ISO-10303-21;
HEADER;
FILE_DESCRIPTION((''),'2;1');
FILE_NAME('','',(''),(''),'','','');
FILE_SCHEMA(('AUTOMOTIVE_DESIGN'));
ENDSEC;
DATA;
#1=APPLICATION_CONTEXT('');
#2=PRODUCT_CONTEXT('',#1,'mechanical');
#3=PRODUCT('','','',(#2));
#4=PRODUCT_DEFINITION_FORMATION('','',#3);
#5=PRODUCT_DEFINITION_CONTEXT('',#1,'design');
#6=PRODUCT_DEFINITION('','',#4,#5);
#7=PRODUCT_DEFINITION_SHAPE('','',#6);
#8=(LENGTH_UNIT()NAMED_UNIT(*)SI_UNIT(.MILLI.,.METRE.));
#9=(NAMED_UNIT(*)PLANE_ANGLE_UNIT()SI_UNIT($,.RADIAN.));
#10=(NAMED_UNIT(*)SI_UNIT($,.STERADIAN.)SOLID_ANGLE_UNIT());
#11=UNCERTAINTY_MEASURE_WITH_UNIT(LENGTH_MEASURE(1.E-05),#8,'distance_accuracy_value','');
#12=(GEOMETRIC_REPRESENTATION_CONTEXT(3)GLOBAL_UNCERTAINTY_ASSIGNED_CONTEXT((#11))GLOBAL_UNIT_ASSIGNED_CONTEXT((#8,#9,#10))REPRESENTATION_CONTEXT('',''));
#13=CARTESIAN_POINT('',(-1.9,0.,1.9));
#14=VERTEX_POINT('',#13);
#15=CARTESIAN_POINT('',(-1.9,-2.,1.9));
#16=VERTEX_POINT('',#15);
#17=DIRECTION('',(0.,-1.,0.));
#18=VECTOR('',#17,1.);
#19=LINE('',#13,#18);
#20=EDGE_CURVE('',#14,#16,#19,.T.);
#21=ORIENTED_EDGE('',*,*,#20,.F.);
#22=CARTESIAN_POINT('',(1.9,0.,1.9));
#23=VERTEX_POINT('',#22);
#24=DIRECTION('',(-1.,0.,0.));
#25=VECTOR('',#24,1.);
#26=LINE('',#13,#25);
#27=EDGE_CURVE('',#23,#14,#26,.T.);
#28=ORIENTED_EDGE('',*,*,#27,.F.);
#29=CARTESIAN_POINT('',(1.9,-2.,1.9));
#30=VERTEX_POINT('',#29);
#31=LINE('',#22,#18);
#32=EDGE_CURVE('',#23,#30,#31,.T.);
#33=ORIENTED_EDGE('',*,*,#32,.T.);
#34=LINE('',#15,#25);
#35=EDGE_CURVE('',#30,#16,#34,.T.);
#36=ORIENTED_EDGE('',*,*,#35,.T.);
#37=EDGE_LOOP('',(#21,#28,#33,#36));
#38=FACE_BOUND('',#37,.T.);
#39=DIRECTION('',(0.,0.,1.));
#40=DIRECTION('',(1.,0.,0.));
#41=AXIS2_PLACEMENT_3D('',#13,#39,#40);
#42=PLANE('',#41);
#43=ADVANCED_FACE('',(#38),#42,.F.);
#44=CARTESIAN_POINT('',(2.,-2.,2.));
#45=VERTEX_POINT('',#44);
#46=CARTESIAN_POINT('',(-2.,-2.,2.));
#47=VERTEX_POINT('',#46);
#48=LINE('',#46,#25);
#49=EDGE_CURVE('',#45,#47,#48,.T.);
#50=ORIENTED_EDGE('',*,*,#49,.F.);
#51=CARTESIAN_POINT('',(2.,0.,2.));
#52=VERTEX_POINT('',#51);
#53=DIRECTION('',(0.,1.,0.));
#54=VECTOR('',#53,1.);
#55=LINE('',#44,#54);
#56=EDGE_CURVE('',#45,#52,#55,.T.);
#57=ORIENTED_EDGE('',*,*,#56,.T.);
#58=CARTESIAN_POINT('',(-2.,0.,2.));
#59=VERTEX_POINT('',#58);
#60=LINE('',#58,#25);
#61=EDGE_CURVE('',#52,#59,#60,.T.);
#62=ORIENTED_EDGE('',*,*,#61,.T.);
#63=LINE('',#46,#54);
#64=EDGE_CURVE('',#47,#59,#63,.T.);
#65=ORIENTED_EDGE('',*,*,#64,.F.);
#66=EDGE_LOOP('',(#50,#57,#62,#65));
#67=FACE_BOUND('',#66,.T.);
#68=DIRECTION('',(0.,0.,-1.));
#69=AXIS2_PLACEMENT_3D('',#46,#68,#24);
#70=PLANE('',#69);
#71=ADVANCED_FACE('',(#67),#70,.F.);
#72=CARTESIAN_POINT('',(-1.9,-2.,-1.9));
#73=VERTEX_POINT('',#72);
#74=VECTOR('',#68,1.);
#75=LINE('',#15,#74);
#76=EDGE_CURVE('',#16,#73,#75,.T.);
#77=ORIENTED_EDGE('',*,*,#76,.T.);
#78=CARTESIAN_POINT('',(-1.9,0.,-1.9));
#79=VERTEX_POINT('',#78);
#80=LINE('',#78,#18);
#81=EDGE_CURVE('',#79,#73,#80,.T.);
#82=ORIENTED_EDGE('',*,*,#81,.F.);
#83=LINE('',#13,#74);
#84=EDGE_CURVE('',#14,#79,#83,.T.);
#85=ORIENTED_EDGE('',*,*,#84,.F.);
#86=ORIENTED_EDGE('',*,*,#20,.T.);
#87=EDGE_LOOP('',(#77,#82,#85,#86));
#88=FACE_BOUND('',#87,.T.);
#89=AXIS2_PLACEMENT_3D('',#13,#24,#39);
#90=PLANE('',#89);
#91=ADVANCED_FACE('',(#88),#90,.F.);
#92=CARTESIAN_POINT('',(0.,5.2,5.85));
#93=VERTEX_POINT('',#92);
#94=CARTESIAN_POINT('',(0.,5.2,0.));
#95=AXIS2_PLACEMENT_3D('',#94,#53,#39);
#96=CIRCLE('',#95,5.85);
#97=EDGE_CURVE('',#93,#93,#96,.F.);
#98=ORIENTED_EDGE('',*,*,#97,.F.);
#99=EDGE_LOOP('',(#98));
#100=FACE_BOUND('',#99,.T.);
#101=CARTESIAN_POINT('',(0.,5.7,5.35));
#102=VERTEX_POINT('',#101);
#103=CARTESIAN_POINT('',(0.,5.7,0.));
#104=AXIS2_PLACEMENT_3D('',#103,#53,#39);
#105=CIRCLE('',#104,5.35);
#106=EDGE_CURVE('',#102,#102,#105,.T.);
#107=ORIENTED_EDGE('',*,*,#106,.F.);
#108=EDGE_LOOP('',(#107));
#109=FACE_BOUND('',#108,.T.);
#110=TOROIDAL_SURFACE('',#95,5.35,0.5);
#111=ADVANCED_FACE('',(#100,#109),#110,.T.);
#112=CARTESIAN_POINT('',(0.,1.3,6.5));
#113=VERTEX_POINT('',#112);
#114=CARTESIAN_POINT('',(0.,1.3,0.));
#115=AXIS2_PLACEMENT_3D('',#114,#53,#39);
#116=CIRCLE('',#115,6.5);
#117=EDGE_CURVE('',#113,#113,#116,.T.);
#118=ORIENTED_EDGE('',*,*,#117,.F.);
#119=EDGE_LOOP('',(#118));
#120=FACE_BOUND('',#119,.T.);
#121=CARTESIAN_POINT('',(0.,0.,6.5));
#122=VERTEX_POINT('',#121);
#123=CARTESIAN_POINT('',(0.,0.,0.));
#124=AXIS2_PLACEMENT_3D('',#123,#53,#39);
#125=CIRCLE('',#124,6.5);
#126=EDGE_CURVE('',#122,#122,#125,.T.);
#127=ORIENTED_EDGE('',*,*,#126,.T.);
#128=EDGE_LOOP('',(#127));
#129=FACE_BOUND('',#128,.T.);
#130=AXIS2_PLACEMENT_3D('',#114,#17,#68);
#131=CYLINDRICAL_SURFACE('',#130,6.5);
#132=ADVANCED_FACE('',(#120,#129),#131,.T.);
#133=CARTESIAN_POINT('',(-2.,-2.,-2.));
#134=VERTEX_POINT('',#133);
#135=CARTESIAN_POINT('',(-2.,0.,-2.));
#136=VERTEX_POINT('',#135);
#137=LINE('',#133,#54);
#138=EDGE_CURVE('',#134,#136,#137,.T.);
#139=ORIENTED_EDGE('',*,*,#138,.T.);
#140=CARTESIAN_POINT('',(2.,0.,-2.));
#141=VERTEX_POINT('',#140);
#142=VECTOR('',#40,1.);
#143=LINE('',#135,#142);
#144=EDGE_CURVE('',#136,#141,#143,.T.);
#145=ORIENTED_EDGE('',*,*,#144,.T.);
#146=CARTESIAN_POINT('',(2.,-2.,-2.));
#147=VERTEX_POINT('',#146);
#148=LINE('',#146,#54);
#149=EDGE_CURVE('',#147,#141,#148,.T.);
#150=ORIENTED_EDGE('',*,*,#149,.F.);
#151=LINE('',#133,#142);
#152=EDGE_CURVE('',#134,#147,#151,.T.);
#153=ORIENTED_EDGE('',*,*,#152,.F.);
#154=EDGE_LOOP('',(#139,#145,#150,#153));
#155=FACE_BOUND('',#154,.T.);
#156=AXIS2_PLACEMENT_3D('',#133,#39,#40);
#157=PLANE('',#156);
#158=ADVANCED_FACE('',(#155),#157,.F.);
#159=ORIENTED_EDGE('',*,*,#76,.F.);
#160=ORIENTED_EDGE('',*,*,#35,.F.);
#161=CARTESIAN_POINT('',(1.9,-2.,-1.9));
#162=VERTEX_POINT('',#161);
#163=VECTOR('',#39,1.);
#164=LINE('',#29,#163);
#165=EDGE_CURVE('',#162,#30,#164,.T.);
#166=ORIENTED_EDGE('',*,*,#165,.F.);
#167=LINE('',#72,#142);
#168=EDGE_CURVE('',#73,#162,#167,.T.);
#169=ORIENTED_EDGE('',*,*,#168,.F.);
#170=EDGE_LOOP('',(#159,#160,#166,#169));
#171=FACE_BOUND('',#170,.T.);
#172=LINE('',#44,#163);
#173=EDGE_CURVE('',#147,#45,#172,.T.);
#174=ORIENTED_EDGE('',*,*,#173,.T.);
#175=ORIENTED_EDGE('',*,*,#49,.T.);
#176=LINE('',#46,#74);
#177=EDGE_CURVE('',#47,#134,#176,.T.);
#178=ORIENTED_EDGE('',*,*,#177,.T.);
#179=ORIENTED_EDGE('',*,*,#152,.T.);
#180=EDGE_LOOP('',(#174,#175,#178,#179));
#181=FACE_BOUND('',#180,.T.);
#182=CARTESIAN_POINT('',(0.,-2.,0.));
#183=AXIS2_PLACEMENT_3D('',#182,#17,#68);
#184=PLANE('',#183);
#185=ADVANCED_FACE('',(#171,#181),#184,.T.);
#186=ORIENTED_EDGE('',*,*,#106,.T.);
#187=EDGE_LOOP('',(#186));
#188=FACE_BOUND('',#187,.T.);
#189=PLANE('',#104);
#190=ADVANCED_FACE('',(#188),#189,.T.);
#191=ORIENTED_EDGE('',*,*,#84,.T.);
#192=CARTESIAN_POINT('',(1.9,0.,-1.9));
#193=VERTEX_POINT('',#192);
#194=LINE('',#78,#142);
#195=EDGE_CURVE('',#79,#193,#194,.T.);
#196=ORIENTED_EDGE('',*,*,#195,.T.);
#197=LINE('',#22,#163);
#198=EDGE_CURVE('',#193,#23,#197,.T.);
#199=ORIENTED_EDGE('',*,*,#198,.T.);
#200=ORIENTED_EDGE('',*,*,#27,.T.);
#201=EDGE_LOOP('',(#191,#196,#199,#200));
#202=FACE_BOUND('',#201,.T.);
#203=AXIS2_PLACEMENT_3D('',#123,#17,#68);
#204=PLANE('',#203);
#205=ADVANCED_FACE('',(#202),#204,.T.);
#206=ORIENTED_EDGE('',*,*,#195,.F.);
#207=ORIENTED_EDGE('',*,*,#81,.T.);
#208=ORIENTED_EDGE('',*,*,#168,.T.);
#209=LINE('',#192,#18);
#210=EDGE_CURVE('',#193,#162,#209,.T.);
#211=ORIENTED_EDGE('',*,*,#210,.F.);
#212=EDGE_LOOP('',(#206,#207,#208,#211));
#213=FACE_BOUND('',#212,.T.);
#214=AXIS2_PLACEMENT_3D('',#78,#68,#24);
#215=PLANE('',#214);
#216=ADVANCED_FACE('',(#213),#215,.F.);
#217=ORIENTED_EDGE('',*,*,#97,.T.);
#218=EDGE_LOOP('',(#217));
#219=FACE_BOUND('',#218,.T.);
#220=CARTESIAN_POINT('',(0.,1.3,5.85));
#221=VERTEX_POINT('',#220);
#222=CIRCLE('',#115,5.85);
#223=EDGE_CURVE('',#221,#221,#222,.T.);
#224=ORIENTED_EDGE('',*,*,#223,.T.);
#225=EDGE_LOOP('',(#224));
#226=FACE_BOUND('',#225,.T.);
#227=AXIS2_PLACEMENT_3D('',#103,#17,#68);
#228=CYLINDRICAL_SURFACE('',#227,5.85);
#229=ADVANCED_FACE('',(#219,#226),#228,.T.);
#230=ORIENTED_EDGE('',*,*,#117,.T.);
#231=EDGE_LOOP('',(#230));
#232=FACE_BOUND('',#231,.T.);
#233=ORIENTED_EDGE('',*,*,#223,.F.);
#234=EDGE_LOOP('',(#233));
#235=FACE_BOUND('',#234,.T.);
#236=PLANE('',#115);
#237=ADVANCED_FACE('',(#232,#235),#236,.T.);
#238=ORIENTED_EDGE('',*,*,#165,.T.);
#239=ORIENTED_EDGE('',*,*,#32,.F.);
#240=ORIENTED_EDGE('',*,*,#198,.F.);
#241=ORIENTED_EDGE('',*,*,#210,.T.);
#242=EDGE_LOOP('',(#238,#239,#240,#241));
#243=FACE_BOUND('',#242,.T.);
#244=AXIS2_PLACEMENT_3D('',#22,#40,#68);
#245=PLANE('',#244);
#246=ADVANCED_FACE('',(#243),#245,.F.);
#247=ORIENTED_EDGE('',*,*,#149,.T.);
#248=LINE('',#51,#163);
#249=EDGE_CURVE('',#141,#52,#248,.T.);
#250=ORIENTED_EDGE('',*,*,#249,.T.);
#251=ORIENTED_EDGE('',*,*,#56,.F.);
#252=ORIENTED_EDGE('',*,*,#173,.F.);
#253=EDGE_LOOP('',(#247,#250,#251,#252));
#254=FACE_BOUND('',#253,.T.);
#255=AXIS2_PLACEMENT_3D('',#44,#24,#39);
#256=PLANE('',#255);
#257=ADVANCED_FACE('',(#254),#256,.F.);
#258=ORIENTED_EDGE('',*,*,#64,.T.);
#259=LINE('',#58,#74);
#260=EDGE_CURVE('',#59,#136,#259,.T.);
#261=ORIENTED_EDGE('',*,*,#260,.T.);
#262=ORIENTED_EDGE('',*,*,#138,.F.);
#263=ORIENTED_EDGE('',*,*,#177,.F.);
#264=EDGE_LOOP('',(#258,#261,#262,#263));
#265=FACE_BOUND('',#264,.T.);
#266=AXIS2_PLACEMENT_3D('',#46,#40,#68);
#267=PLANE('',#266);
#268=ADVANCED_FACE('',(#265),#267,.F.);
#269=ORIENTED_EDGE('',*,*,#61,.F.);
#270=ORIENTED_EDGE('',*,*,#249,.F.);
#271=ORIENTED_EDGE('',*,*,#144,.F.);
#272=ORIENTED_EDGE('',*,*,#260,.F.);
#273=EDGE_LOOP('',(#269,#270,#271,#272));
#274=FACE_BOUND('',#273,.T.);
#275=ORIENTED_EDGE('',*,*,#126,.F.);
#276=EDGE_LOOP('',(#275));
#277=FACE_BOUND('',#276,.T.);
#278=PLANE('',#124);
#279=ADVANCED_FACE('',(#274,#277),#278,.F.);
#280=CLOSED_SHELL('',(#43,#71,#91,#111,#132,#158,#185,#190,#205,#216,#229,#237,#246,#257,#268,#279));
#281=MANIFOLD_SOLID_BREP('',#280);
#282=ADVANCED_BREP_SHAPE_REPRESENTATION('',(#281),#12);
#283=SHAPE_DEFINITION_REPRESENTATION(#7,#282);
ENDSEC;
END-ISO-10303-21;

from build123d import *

# Parameters (mm, degrees)
SKETCH_5_R          = 6.5
EXTRUDE_5_DEPTH     = 1.3
SKETCH_6_R          = 5.85
EXTRUDE_6_DEPTH     = 4.4
FILLET_2_R          = 0.5
SKETCH_7_W          = 4
SKETCH_7_H          = 4
EXTRUDE_7_DEPTH     = 2
SKETCH_8_W          = 3.8
SKETCH_8_H          = 3.8
CUT_EXTRUDE_1_DEPTH = 2


with BuildPart() as part:
    # Эскиз5 → Бобышка-Вытянуть5 (new body)
    with BuildSketch(Plane(origin=(0, 0, 0), x_dir=(1, 0, 0), z_dir=(0, 1, 0))):
        Circle(SKETCH_5_R)
    extrude(amount=EXTRUDE_5_DEPTH)

    # Эскиз6 → Бобышка-Вытянуть6 (add)
    with BuildSketch(Plane(origin=(0, 1.3, 0), x_dir=(1, 0, 0), z_dir=(0, 1, 0))):
        Circle(SKETCH_6_R)
    extrude(amount=EXTRUDE_6_DEPTH)

    # Скругление2
    fillet_2_edges = [part.edges().sort_by_distance(p)[0] for p in [
        (-5.85, 5.7, 0),
    ]]
    fillet(fillet_2_edges, radius=FILLET_2_R)

    # Эскиз7 → Бобышка-Вытянуть7 (add)
    with BuildSketch(Plane.XZ):
        Rectangle(SKETCH_7_W, SKETCH_7_H)
    extrude(amount=EXTRUDE_7_DEPTH)

    # Эскиз8 → Вырез-Вытянуть1 (cut)
    with BuildSketch(Plane.XZ.offset(2)):
        Rectangle(SKETCH_8_W, SKETCH_8_H)
    extrude(amount=-CUT_EXTRUDE_1_DEPTH, mode=Mode.SUBTRACT)


solid = part.part
